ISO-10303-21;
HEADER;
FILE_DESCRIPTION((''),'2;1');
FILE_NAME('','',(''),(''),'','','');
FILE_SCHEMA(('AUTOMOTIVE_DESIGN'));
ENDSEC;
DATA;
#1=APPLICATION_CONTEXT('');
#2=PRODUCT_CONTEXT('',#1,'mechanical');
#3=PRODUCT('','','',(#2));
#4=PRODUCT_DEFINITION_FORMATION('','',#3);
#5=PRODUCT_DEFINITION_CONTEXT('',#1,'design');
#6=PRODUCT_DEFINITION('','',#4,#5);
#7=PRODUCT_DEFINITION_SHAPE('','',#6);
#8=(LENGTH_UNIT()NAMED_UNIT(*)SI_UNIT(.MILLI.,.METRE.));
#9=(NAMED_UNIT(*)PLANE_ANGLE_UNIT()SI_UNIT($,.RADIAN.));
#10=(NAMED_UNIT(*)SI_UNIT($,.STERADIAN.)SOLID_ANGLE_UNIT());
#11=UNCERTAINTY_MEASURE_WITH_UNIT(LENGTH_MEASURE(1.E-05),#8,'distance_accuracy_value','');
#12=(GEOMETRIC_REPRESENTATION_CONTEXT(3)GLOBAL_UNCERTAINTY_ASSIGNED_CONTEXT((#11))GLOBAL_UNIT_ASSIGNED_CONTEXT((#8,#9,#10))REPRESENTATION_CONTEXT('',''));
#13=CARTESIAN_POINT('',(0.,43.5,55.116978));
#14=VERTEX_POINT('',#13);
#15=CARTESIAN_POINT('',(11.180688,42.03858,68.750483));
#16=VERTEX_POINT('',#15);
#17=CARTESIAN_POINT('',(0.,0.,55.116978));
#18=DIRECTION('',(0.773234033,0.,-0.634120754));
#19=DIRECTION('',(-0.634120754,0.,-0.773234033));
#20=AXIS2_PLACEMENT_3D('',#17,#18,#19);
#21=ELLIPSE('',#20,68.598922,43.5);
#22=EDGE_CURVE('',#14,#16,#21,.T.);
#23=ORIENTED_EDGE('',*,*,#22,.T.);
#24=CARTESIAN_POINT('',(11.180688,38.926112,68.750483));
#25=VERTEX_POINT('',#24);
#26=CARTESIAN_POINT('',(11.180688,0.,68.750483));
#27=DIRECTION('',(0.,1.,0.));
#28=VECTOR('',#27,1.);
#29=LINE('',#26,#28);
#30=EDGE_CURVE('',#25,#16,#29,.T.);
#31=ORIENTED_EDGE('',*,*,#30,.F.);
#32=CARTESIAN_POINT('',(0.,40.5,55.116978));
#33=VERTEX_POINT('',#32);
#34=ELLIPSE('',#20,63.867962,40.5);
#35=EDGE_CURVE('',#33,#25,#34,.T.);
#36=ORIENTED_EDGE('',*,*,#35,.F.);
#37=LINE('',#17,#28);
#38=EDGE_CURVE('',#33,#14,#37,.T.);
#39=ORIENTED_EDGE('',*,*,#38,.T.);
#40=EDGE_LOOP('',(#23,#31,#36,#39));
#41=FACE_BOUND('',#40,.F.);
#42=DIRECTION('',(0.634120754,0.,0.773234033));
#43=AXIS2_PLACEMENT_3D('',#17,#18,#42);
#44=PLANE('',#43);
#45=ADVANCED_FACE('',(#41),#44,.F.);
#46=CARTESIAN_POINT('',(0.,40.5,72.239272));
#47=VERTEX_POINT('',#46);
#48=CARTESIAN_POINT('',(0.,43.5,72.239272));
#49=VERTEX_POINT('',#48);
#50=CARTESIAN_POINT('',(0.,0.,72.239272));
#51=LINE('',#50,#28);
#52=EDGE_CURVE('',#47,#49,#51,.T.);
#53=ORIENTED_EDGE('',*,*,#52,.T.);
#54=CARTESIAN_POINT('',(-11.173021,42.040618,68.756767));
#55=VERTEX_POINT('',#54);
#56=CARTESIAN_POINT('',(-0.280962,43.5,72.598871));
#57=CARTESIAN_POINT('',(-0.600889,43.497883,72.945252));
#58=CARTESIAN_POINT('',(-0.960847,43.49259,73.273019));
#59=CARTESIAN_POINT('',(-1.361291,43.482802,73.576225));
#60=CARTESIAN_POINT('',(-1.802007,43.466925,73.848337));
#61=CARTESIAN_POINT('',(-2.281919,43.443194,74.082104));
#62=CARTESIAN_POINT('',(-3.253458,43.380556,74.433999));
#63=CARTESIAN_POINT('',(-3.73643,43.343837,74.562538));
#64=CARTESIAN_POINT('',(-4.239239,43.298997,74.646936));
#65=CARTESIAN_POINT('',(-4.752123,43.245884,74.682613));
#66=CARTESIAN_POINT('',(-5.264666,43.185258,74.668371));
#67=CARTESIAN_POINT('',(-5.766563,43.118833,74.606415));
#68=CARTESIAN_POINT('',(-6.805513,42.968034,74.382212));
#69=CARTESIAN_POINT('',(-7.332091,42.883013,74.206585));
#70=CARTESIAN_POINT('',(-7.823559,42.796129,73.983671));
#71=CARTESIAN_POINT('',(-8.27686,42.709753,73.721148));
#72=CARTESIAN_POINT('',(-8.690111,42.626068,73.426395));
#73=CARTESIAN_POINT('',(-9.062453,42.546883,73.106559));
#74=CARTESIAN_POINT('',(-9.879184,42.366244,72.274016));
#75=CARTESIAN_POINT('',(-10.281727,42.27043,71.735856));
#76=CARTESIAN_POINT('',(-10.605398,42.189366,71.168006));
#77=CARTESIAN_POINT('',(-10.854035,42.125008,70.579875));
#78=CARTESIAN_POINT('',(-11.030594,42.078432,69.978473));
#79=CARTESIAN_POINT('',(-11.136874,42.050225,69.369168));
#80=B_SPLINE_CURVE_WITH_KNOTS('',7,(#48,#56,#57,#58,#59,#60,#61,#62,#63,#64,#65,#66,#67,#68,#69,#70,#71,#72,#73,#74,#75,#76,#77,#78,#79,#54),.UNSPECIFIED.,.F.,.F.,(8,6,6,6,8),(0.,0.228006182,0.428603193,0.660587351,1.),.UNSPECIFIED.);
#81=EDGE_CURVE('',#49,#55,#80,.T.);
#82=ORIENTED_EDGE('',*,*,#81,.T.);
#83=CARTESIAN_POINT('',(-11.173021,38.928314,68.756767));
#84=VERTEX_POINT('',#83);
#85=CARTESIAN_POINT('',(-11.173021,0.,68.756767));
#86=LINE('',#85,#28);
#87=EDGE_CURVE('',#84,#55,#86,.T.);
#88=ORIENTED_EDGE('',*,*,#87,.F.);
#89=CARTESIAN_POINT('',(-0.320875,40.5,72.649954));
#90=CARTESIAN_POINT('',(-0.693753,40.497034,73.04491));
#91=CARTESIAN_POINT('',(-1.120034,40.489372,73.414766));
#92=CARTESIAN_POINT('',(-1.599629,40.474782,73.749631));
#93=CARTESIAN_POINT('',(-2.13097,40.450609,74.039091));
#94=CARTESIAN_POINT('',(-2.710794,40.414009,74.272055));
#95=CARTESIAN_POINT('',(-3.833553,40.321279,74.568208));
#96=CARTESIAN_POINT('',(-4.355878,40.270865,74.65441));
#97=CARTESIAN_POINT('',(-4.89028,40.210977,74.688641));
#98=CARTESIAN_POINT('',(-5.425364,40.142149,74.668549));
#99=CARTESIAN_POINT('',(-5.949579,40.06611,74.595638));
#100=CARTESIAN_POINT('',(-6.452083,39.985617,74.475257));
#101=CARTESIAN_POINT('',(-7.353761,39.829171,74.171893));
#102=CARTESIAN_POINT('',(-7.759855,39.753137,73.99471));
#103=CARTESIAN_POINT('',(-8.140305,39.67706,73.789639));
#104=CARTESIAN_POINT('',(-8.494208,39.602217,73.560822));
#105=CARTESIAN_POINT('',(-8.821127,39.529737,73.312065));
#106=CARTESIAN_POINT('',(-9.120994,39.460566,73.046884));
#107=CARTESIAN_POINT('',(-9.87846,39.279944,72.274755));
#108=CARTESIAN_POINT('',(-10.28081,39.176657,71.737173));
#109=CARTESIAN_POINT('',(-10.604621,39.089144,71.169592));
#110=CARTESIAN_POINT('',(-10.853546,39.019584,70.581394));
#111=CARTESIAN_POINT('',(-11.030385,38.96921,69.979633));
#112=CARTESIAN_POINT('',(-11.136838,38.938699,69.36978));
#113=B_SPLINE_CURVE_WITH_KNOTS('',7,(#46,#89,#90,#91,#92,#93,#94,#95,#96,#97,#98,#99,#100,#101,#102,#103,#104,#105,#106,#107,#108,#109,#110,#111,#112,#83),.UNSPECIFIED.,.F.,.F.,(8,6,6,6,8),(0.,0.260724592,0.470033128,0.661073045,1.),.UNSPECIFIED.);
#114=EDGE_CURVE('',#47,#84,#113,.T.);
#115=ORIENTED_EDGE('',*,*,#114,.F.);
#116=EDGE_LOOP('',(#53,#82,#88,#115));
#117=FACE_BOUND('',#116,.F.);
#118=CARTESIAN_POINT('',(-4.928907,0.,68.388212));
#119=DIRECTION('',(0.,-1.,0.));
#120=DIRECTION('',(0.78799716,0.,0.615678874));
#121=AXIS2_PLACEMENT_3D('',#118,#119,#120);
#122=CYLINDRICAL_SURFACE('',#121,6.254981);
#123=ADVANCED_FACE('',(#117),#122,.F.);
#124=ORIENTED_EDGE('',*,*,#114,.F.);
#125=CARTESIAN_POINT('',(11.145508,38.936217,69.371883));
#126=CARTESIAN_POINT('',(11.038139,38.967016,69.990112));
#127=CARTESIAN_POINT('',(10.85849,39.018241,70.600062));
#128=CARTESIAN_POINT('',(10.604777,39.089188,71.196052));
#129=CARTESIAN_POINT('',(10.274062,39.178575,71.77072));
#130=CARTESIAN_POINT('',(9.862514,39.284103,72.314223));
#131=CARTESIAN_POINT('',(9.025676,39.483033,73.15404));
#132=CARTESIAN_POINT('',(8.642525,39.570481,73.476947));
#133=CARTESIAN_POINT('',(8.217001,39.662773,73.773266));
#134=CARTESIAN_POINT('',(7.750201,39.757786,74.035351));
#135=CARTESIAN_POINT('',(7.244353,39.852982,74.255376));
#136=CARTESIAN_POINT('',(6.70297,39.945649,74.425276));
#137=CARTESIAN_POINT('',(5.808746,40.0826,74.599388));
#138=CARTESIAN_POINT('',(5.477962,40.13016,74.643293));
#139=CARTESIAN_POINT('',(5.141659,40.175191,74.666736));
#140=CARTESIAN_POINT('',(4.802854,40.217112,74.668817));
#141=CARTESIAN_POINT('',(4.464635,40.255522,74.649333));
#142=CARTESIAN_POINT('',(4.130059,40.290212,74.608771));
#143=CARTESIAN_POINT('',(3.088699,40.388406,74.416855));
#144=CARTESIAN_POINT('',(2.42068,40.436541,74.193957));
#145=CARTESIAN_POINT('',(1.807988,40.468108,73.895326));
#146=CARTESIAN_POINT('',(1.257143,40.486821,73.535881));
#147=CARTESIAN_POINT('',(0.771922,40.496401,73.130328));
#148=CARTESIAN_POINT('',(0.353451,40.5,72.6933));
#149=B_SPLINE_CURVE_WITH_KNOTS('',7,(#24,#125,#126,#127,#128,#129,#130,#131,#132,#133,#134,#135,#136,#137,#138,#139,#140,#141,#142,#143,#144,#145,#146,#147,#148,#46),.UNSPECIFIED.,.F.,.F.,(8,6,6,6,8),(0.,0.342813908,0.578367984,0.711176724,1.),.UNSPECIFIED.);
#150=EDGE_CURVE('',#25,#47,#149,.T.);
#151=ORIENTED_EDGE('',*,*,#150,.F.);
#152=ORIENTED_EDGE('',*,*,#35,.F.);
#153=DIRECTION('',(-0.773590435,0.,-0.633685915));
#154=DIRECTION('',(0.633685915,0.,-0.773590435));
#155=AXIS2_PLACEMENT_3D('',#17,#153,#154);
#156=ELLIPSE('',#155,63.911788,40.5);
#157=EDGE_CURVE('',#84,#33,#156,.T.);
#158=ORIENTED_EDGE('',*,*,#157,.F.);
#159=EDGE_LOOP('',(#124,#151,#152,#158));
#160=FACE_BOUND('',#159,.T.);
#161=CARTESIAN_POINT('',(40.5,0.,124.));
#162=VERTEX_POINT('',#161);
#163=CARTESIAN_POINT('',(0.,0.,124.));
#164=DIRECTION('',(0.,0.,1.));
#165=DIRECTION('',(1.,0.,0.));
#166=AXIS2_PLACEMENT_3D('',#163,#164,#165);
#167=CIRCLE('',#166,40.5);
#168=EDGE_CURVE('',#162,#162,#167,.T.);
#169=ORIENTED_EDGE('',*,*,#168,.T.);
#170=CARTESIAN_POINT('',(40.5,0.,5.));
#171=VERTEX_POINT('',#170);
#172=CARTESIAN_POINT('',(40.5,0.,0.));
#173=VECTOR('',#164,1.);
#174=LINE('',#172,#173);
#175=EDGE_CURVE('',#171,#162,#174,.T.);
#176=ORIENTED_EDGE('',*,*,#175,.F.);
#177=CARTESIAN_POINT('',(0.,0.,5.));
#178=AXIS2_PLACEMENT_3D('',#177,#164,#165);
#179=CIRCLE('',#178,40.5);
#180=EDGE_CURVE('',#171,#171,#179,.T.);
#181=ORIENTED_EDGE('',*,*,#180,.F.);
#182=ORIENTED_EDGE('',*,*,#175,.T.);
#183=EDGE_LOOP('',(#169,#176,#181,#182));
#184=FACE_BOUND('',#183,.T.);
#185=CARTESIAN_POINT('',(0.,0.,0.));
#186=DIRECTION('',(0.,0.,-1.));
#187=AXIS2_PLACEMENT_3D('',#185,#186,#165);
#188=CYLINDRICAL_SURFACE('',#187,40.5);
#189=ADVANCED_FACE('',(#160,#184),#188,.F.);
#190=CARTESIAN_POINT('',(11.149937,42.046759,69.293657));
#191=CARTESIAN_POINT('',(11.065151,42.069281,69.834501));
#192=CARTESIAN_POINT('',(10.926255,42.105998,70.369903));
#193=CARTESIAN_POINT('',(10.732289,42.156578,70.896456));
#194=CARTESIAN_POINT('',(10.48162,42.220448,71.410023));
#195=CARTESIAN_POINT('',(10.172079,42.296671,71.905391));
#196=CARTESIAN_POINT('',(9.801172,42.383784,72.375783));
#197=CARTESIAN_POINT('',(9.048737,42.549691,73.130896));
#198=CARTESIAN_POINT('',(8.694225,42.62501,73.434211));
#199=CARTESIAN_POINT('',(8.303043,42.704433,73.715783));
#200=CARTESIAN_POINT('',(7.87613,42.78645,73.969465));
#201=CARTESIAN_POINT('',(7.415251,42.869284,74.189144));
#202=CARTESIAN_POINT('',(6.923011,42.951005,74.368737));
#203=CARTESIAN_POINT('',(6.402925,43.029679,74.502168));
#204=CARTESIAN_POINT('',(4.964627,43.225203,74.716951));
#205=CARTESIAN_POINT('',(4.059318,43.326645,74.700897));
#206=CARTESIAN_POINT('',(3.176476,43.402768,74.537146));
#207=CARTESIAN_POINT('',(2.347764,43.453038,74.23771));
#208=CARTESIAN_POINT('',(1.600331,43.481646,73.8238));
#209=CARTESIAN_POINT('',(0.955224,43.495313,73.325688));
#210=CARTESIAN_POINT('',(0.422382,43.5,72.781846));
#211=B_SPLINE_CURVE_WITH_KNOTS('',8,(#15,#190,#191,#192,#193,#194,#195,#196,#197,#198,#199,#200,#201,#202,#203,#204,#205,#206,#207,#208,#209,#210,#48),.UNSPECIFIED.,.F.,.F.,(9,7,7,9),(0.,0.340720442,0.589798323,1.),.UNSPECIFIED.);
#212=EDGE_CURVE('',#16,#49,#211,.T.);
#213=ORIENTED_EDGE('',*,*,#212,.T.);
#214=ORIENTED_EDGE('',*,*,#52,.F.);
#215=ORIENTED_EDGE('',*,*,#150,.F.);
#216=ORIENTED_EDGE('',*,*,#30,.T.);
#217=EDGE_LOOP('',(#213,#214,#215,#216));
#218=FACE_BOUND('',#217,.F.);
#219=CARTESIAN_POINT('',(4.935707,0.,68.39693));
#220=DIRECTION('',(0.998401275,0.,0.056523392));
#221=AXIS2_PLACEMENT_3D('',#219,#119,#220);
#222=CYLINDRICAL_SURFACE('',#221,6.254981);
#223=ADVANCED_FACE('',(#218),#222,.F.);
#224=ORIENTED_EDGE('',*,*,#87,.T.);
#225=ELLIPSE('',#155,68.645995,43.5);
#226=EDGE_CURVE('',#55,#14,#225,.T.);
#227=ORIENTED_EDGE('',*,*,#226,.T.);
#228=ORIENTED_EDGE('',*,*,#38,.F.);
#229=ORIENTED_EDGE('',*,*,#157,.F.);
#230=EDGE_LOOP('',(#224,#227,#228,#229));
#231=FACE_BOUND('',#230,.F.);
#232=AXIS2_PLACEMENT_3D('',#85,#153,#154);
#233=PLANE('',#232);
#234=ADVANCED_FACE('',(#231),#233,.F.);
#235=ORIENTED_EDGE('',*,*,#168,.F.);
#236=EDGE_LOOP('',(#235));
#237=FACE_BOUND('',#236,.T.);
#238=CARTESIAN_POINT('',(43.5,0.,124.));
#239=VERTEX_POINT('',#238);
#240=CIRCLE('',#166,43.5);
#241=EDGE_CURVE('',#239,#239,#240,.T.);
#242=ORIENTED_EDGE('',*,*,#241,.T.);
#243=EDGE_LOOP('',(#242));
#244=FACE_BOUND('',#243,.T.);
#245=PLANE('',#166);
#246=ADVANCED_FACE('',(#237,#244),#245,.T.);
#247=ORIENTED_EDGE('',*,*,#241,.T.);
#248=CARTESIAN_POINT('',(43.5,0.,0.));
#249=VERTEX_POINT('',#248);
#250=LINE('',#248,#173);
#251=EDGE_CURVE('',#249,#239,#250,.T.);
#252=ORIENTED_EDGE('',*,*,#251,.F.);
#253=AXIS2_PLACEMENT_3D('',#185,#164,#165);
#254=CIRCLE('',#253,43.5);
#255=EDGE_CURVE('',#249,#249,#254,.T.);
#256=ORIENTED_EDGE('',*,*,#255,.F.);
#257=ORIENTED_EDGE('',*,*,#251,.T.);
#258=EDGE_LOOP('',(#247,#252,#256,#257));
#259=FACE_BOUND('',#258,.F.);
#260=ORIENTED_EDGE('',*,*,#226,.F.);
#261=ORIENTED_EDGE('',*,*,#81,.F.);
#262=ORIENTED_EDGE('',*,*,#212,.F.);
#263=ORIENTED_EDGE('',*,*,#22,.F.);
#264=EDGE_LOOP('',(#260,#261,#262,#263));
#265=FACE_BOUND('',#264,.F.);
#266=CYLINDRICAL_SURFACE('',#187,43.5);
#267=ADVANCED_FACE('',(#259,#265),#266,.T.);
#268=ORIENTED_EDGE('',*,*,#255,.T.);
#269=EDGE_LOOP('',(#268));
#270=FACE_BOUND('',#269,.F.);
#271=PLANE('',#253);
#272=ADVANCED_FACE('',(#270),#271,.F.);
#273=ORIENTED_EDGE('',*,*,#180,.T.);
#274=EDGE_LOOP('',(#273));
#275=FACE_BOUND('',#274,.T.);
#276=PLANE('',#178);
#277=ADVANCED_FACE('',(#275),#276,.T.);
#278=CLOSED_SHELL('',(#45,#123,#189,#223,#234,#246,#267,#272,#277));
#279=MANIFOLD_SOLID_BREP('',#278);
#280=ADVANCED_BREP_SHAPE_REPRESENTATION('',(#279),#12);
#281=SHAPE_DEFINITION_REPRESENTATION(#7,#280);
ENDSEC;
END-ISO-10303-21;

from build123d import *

# Parameters (mm, degrees)
F0_R     = 43.5
F0_R_2   = 40.5
F1_DEPTH = 124
F2_DEPTH = 5
F4_DEPTH = 43.501


with BuildPart() as f1:
    # F0 (on Top) → F1 (new body)
    with BuildSketch(Plane.XY):
        Circle(F0_R)
        Circle(F0_R_2, mode=Mode.SUBTRACT)
    extrude(amount=F1_DEPTH)

    # F0 (on Top) → F2 (join)
    with BuildSketch(Plane.XY):
        Circle(F0_R_2)
    extrude(amount=F2_DEPTH)

    # F3 (on Front) → F4 (cut, through all)
    with BuildSketch(Plane.XZ):
        with BuildLine():
            Line((-11.173021, 68.756767), (0, 55.116978))
            Line((0, 55.116978), (11.180688, 68.750483))
            ThreePointArc((11.180688, 68.750483), (6.798893, 74.367971), (0, 72.239272))
            ThreePointArc((0, 72.239272), (-6.790198, 74.359844), (-11.173021, 68.756767))
        make_face()
    extrude(amount=-F4_DEPTH, mode=Mode.SUBTRACT)


solid = f1.part
